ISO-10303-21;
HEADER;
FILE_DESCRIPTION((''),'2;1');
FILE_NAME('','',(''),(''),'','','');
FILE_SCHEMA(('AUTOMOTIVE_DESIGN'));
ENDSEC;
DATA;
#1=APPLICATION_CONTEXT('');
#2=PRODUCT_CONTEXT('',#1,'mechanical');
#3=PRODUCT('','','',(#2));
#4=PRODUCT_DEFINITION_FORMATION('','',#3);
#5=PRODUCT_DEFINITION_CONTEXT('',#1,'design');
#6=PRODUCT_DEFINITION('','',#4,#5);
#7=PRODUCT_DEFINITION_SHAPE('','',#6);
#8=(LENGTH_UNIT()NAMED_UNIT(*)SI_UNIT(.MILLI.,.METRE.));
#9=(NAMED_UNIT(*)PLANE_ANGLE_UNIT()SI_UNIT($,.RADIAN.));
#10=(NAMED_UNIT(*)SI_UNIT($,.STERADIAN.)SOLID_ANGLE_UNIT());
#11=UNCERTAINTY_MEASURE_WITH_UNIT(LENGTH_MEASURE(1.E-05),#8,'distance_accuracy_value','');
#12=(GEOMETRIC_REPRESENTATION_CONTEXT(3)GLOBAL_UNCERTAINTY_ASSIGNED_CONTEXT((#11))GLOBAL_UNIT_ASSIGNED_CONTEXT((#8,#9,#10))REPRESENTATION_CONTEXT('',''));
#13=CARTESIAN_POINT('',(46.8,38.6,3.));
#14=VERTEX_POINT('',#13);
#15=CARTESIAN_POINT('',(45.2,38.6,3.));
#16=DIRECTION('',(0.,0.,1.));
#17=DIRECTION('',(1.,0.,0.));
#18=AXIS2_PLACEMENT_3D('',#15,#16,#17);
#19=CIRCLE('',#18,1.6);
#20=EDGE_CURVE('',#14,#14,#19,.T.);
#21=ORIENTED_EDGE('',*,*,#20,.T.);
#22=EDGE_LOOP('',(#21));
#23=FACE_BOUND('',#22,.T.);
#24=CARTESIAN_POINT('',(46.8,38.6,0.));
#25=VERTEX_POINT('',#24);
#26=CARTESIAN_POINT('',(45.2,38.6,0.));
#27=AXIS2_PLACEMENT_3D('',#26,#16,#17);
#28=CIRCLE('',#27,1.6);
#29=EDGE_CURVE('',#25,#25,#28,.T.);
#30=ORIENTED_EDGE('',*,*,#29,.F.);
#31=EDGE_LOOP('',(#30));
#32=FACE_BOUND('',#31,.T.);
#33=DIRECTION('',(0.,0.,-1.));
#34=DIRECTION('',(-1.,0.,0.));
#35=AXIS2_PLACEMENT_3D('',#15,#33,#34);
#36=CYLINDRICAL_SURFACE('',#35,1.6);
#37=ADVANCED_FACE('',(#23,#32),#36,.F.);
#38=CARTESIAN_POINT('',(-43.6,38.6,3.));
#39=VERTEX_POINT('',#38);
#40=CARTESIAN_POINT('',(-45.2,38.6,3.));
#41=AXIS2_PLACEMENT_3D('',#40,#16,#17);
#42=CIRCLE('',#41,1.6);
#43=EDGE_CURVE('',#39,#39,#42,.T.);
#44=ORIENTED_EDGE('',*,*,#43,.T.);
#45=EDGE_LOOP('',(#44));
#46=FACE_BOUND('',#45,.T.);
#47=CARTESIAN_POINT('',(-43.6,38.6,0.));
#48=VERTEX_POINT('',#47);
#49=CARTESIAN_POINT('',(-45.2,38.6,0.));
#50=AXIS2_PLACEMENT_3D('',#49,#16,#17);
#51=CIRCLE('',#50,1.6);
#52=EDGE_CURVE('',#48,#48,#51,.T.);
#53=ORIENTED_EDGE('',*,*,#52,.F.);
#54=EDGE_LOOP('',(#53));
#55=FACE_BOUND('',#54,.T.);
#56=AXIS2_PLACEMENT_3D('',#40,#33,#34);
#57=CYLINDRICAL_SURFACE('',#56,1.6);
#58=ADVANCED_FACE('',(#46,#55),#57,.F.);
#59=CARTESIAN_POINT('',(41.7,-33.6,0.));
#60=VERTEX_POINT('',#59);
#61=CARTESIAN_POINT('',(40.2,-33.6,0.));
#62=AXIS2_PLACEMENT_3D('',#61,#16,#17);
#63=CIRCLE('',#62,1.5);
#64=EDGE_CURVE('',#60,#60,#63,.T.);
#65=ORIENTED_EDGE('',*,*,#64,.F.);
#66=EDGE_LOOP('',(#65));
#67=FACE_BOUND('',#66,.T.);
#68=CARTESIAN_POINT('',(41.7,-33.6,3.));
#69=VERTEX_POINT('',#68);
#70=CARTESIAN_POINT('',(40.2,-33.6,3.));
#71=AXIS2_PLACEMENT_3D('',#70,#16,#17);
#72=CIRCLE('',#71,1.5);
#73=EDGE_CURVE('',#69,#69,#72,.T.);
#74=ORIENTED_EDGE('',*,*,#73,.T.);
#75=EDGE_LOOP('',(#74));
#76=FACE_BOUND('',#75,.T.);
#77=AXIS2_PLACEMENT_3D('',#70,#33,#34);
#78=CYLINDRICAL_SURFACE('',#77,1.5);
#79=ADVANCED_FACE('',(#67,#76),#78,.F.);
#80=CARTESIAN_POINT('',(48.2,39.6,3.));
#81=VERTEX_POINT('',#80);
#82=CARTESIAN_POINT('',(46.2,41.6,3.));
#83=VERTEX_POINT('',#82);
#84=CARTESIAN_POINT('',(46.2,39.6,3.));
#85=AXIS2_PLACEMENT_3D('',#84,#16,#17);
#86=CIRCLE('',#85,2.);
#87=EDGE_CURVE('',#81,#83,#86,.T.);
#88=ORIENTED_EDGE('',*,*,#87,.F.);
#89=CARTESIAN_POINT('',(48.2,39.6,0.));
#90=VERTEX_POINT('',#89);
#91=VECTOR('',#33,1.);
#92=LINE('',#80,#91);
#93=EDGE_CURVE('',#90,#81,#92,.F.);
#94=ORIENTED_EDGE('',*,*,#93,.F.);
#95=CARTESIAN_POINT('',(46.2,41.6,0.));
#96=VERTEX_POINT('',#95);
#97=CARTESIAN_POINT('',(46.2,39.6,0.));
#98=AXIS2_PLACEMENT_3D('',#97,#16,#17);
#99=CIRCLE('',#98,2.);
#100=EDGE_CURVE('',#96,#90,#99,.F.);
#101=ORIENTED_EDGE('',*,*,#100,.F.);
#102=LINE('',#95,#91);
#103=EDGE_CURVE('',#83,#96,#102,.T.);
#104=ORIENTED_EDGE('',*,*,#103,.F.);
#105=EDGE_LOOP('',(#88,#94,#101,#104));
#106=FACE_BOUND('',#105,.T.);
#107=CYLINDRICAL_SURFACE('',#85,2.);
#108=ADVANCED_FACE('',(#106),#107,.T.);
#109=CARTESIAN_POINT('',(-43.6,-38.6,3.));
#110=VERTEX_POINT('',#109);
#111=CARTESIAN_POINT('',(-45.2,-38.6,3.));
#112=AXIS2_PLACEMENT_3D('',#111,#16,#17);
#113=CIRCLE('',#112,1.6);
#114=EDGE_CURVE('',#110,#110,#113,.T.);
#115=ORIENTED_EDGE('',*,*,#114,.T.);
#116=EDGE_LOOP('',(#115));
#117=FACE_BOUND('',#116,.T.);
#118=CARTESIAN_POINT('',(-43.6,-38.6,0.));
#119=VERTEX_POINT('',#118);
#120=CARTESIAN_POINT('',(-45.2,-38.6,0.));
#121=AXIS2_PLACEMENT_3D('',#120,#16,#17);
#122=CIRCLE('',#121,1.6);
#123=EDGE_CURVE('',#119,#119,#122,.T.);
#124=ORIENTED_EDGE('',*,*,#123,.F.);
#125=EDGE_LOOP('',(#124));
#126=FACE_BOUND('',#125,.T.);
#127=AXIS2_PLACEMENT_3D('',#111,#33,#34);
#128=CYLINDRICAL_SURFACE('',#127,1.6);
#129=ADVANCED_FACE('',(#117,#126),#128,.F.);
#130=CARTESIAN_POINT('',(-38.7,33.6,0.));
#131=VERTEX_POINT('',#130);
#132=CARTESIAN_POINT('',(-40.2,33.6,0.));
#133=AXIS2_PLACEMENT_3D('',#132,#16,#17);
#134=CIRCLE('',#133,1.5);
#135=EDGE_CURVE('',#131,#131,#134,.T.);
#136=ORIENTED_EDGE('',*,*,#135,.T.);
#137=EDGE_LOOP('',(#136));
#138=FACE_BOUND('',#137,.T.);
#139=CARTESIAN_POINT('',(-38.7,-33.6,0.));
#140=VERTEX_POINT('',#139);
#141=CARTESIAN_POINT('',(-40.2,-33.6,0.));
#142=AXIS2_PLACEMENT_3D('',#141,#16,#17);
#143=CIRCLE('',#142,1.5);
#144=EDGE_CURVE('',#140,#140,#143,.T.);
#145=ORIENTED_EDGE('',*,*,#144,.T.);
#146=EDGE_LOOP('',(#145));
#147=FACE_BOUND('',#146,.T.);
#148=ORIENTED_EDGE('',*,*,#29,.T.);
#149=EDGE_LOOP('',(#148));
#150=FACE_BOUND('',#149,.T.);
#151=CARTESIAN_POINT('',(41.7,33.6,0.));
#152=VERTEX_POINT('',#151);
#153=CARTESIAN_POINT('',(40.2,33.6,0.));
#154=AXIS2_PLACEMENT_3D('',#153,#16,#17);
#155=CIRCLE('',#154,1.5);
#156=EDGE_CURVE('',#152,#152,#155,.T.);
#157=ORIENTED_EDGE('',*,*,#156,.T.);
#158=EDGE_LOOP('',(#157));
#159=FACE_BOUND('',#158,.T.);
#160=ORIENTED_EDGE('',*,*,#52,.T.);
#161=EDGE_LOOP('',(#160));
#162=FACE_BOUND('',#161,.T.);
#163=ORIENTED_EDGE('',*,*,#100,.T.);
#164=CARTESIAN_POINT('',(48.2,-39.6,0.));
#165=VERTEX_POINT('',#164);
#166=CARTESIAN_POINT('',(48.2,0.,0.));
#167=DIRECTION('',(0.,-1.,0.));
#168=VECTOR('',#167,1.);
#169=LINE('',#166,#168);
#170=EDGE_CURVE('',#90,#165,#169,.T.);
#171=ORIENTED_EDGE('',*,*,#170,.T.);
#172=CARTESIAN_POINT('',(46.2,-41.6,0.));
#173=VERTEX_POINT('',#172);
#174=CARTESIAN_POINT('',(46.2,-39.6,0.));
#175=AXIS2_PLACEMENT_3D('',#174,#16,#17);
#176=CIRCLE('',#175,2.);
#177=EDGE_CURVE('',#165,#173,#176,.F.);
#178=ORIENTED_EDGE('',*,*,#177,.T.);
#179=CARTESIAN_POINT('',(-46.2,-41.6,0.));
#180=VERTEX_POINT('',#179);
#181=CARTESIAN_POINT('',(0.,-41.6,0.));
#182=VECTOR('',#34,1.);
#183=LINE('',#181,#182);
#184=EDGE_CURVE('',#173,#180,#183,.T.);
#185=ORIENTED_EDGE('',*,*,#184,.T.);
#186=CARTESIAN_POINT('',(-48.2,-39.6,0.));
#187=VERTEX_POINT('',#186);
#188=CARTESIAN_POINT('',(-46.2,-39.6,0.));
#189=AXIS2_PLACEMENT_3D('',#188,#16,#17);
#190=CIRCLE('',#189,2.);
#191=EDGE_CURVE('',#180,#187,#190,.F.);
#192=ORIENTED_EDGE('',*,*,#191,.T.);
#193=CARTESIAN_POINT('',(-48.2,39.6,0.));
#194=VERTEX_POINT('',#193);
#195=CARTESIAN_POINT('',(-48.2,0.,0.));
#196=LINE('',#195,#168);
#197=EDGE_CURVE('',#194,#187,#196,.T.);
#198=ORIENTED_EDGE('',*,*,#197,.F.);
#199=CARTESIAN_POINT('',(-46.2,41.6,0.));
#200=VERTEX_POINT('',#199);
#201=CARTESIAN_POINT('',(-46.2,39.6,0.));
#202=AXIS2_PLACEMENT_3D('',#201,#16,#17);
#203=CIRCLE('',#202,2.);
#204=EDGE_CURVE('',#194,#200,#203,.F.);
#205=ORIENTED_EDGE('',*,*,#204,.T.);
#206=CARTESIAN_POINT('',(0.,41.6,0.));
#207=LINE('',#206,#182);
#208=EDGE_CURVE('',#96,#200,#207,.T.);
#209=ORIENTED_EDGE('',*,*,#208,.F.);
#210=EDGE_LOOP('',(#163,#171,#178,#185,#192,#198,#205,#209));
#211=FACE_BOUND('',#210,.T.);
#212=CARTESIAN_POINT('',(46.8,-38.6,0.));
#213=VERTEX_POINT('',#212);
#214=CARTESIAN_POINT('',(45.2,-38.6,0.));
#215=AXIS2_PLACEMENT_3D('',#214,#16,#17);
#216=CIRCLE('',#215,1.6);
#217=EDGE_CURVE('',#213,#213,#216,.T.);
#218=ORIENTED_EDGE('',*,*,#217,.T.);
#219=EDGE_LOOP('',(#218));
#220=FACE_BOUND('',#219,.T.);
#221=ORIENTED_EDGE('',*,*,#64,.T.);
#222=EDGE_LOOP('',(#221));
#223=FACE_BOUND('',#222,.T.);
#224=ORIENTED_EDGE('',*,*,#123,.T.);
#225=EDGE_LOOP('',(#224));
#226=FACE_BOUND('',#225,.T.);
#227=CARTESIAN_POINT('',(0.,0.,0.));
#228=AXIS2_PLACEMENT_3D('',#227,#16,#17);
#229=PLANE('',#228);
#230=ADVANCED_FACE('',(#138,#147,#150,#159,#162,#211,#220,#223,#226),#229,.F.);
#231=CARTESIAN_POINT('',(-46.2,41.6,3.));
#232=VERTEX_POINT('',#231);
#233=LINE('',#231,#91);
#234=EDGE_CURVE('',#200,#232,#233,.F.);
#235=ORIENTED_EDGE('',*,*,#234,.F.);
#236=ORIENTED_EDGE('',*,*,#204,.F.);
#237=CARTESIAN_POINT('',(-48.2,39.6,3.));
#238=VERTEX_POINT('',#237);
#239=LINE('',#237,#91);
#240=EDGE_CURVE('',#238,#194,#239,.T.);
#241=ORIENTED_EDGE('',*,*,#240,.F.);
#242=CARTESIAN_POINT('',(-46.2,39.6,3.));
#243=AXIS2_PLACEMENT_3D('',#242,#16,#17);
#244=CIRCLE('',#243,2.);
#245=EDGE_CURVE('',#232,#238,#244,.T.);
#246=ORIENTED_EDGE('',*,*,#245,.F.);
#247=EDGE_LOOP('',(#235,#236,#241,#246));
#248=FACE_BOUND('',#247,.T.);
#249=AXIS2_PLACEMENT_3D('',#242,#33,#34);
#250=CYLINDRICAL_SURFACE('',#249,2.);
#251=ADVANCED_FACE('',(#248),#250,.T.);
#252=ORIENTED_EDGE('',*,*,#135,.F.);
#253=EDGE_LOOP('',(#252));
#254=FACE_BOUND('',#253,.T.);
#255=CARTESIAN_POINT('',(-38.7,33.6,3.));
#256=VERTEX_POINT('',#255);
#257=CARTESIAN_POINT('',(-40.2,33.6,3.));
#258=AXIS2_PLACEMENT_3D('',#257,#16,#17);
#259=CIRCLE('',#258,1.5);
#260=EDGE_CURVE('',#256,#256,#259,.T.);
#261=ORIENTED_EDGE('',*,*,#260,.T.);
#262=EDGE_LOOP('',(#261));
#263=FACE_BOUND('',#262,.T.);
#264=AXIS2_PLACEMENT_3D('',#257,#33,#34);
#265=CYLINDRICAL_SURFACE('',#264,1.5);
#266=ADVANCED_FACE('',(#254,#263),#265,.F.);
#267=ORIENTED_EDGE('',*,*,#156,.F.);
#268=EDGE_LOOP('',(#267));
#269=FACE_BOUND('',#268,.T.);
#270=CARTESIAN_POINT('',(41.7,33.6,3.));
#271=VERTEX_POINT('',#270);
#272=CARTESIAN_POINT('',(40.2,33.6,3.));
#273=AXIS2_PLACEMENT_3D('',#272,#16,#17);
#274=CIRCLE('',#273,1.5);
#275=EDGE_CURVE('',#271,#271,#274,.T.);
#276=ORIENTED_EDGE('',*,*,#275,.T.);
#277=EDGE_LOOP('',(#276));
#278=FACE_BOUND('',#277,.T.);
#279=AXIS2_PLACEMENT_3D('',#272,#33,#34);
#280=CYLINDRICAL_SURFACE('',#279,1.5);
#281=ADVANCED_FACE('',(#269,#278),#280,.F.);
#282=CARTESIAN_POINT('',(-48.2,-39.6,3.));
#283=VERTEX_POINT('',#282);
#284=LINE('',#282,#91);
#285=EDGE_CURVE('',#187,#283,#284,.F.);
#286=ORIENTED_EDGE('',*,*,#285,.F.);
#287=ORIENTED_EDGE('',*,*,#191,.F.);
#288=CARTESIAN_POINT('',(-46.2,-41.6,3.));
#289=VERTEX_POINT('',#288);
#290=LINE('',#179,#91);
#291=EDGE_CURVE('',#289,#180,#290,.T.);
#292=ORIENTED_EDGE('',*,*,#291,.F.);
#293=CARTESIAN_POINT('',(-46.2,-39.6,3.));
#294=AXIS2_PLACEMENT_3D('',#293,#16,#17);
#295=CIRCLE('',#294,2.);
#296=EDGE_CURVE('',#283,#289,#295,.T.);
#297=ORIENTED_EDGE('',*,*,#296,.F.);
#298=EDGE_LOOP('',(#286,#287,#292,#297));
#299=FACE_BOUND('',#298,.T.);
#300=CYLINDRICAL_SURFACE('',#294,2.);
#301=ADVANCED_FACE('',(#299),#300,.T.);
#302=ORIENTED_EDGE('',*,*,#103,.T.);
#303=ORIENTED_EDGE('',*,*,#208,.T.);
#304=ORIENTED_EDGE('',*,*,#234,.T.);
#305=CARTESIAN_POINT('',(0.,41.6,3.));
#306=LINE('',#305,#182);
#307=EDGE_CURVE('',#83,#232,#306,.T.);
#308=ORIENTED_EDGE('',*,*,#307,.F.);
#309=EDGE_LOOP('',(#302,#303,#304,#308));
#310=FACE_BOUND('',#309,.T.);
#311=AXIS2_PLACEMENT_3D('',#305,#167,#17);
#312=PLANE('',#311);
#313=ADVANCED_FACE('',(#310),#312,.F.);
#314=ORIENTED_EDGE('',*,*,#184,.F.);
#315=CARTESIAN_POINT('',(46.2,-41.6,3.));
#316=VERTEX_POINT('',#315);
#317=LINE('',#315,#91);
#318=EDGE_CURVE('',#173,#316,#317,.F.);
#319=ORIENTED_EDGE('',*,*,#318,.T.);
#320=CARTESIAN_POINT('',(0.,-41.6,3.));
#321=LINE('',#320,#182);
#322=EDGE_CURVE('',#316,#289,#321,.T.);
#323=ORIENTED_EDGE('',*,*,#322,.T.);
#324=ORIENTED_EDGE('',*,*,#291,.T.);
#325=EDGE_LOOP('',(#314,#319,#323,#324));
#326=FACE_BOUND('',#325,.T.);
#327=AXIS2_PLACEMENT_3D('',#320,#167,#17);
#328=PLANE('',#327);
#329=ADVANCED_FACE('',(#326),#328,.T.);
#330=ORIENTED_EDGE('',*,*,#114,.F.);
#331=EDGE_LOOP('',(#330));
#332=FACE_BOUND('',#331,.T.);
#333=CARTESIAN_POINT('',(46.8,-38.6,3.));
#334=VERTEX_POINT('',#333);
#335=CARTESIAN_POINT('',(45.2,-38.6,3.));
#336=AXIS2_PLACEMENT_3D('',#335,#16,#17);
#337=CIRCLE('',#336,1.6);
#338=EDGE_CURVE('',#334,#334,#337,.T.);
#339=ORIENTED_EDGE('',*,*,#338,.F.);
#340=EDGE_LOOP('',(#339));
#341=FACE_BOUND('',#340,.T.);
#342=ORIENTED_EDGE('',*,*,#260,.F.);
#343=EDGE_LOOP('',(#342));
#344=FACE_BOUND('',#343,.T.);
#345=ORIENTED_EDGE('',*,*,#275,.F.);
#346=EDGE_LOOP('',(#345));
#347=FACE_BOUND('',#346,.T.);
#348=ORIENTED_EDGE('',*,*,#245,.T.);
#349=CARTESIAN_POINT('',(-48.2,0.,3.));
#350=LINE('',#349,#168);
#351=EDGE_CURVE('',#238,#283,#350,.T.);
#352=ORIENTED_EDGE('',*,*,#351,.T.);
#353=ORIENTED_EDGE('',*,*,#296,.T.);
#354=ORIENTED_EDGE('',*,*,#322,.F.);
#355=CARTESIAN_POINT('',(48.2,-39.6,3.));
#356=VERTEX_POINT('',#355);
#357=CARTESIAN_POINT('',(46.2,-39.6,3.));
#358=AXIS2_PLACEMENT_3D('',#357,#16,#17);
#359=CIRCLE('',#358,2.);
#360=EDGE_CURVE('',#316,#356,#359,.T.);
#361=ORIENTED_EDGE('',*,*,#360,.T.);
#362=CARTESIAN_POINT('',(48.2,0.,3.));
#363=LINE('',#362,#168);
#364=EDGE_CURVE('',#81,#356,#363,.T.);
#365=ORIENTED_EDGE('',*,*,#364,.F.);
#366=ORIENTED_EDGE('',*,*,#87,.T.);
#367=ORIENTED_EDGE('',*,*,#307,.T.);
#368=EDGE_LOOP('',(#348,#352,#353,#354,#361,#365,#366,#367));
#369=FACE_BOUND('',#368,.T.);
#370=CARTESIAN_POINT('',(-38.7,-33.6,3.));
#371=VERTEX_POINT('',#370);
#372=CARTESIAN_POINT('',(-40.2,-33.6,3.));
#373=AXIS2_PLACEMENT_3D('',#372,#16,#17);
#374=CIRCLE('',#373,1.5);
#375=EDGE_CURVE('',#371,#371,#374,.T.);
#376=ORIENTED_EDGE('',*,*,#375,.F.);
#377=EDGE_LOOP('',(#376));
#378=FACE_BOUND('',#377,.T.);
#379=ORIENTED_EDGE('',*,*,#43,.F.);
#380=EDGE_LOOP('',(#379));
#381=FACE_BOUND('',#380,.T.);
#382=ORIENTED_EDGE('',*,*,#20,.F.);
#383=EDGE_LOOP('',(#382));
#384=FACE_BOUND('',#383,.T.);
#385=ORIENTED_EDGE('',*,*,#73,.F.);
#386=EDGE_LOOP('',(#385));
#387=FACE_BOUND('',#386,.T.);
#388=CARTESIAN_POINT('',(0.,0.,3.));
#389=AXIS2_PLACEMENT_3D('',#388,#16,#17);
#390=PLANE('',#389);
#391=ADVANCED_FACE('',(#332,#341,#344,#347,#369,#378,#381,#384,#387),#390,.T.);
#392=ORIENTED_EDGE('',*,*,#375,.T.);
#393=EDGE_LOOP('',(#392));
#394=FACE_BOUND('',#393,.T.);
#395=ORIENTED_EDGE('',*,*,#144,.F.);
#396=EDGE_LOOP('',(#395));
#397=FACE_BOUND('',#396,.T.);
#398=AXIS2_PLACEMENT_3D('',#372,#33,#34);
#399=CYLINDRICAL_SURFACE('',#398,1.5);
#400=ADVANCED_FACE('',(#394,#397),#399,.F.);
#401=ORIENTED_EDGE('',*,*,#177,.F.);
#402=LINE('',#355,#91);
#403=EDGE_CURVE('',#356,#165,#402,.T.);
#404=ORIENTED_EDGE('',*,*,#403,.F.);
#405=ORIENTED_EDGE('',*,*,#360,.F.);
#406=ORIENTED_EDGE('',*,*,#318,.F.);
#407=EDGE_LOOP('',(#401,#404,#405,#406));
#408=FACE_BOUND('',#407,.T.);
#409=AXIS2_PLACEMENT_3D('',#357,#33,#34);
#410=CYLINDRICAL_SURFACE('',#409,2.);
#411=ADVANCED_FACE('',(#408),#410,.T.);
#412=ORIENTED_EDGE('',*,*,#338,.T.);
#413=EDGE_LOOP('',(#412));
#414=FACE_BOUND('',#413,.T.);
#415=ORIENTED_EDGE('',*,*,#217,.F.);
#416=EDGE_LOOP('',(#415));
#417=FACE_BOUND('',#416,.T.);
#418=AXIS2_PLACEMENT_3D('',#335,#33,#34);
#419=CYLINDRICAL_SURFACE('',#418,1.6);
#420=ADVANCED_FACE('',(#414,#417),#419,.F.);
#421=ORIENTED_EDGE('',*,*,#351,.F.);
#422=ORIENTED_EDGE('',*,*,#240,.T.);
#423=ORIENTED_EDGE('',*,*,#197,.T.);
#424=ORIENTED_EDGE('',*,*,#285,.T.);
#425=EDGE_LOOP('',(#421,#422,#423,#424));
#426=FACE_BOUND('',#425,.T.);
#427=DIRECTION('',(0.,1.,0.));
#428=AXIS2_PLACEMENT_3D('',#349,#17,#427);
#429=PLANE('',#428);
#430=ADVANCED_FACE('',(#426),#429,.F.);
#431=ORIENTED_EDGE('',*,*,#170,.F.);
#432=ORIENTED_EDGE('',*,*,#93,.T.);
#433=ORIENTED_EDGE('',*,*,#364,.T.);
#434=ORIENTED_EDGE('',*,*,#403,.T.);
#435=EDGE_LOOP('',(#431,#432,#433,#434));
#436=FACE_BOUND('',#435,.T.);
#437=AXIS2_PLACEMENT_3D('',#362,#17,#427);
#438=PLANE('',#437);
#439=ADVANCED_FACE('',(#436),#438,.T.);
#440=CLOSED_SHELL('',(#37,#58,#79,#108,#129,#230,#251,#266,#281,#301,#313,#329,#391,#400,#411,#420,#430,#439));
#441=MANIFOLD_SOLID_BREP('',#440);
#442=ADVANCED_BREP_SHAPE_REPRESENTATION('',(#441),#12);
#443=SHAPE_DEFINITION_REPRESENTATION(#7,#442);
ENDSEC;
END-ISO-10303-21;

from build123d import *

# Parameters (mm, degrees)
SKETCH_1_W          = 96.4
SKETCH_1_H          = 83.2
SKETCH_1_R          = 1.6
EXTRUDE_1_DEPTH     = 3
FILLET_1_R          = 2
SKETCH_1_3_R        = 1.5
CUT_EXTRUDE_3_DEPTH = 3


with BuildPart() as part:
    # 草图1 → 凸台-拉伸1 (new body)
    with BuildSketch(Plane.XY):
        Rectangle(SKETCH_1_W, SKETCH_1_H)
        with Locations((-45.2, -38.6)):
            Circle(SKETCH_1_R, mode=Mode.SUBTRACT)
        with Locations((45.2, -38.6)):
            Circle(SKETCH_1_R, mode=Mode.SUBTRACT)
        with Locations((45.2, 38.6)):
            Circle(SKETCH_1_R, mode=Mode.SUBTRACT)
        with Locations((-45.2, 38.6)):
            Circle(SKETCH_1_R, mode=Mode.SUBTRACT)
    extrude(amount=EXTRUDE_1_DEPTH)

    # 圆角1
    fillet_1_edges = [part.edges().sort_by_distance(p)[0] for p in [
        (48.2, -41.6, 1.5),
        (-48.2, -41.6, 1.5),
        (-48.2, 41.6, 1.5),
        (48.2, 41.6, 1.5),
    ]]
    fillet(fillet_1_edges, radius=FILLET_1_R)

    # 草图1<3> → 切除-拉伸3 (cut)
    with BuildSketch(Plane.XY):
        with Locations((-40.2, 33.6)):
            Circle(SKETCH_1_3_R)
        with Locations((40.2, 33.6)):
            Circle(SKETCH_1_3_R)
        with Locations((-40.2, -33.6)):
            Circle(SKETCH_1_3_R)
        with Locations((40.2, -33.6)):
            Circle(SKETCH_1_3_R)
    extrude(amount=CUT_EXTRUDE_3_DEPTH, mode=Mode.SUBTRACT)


solid = part.part
